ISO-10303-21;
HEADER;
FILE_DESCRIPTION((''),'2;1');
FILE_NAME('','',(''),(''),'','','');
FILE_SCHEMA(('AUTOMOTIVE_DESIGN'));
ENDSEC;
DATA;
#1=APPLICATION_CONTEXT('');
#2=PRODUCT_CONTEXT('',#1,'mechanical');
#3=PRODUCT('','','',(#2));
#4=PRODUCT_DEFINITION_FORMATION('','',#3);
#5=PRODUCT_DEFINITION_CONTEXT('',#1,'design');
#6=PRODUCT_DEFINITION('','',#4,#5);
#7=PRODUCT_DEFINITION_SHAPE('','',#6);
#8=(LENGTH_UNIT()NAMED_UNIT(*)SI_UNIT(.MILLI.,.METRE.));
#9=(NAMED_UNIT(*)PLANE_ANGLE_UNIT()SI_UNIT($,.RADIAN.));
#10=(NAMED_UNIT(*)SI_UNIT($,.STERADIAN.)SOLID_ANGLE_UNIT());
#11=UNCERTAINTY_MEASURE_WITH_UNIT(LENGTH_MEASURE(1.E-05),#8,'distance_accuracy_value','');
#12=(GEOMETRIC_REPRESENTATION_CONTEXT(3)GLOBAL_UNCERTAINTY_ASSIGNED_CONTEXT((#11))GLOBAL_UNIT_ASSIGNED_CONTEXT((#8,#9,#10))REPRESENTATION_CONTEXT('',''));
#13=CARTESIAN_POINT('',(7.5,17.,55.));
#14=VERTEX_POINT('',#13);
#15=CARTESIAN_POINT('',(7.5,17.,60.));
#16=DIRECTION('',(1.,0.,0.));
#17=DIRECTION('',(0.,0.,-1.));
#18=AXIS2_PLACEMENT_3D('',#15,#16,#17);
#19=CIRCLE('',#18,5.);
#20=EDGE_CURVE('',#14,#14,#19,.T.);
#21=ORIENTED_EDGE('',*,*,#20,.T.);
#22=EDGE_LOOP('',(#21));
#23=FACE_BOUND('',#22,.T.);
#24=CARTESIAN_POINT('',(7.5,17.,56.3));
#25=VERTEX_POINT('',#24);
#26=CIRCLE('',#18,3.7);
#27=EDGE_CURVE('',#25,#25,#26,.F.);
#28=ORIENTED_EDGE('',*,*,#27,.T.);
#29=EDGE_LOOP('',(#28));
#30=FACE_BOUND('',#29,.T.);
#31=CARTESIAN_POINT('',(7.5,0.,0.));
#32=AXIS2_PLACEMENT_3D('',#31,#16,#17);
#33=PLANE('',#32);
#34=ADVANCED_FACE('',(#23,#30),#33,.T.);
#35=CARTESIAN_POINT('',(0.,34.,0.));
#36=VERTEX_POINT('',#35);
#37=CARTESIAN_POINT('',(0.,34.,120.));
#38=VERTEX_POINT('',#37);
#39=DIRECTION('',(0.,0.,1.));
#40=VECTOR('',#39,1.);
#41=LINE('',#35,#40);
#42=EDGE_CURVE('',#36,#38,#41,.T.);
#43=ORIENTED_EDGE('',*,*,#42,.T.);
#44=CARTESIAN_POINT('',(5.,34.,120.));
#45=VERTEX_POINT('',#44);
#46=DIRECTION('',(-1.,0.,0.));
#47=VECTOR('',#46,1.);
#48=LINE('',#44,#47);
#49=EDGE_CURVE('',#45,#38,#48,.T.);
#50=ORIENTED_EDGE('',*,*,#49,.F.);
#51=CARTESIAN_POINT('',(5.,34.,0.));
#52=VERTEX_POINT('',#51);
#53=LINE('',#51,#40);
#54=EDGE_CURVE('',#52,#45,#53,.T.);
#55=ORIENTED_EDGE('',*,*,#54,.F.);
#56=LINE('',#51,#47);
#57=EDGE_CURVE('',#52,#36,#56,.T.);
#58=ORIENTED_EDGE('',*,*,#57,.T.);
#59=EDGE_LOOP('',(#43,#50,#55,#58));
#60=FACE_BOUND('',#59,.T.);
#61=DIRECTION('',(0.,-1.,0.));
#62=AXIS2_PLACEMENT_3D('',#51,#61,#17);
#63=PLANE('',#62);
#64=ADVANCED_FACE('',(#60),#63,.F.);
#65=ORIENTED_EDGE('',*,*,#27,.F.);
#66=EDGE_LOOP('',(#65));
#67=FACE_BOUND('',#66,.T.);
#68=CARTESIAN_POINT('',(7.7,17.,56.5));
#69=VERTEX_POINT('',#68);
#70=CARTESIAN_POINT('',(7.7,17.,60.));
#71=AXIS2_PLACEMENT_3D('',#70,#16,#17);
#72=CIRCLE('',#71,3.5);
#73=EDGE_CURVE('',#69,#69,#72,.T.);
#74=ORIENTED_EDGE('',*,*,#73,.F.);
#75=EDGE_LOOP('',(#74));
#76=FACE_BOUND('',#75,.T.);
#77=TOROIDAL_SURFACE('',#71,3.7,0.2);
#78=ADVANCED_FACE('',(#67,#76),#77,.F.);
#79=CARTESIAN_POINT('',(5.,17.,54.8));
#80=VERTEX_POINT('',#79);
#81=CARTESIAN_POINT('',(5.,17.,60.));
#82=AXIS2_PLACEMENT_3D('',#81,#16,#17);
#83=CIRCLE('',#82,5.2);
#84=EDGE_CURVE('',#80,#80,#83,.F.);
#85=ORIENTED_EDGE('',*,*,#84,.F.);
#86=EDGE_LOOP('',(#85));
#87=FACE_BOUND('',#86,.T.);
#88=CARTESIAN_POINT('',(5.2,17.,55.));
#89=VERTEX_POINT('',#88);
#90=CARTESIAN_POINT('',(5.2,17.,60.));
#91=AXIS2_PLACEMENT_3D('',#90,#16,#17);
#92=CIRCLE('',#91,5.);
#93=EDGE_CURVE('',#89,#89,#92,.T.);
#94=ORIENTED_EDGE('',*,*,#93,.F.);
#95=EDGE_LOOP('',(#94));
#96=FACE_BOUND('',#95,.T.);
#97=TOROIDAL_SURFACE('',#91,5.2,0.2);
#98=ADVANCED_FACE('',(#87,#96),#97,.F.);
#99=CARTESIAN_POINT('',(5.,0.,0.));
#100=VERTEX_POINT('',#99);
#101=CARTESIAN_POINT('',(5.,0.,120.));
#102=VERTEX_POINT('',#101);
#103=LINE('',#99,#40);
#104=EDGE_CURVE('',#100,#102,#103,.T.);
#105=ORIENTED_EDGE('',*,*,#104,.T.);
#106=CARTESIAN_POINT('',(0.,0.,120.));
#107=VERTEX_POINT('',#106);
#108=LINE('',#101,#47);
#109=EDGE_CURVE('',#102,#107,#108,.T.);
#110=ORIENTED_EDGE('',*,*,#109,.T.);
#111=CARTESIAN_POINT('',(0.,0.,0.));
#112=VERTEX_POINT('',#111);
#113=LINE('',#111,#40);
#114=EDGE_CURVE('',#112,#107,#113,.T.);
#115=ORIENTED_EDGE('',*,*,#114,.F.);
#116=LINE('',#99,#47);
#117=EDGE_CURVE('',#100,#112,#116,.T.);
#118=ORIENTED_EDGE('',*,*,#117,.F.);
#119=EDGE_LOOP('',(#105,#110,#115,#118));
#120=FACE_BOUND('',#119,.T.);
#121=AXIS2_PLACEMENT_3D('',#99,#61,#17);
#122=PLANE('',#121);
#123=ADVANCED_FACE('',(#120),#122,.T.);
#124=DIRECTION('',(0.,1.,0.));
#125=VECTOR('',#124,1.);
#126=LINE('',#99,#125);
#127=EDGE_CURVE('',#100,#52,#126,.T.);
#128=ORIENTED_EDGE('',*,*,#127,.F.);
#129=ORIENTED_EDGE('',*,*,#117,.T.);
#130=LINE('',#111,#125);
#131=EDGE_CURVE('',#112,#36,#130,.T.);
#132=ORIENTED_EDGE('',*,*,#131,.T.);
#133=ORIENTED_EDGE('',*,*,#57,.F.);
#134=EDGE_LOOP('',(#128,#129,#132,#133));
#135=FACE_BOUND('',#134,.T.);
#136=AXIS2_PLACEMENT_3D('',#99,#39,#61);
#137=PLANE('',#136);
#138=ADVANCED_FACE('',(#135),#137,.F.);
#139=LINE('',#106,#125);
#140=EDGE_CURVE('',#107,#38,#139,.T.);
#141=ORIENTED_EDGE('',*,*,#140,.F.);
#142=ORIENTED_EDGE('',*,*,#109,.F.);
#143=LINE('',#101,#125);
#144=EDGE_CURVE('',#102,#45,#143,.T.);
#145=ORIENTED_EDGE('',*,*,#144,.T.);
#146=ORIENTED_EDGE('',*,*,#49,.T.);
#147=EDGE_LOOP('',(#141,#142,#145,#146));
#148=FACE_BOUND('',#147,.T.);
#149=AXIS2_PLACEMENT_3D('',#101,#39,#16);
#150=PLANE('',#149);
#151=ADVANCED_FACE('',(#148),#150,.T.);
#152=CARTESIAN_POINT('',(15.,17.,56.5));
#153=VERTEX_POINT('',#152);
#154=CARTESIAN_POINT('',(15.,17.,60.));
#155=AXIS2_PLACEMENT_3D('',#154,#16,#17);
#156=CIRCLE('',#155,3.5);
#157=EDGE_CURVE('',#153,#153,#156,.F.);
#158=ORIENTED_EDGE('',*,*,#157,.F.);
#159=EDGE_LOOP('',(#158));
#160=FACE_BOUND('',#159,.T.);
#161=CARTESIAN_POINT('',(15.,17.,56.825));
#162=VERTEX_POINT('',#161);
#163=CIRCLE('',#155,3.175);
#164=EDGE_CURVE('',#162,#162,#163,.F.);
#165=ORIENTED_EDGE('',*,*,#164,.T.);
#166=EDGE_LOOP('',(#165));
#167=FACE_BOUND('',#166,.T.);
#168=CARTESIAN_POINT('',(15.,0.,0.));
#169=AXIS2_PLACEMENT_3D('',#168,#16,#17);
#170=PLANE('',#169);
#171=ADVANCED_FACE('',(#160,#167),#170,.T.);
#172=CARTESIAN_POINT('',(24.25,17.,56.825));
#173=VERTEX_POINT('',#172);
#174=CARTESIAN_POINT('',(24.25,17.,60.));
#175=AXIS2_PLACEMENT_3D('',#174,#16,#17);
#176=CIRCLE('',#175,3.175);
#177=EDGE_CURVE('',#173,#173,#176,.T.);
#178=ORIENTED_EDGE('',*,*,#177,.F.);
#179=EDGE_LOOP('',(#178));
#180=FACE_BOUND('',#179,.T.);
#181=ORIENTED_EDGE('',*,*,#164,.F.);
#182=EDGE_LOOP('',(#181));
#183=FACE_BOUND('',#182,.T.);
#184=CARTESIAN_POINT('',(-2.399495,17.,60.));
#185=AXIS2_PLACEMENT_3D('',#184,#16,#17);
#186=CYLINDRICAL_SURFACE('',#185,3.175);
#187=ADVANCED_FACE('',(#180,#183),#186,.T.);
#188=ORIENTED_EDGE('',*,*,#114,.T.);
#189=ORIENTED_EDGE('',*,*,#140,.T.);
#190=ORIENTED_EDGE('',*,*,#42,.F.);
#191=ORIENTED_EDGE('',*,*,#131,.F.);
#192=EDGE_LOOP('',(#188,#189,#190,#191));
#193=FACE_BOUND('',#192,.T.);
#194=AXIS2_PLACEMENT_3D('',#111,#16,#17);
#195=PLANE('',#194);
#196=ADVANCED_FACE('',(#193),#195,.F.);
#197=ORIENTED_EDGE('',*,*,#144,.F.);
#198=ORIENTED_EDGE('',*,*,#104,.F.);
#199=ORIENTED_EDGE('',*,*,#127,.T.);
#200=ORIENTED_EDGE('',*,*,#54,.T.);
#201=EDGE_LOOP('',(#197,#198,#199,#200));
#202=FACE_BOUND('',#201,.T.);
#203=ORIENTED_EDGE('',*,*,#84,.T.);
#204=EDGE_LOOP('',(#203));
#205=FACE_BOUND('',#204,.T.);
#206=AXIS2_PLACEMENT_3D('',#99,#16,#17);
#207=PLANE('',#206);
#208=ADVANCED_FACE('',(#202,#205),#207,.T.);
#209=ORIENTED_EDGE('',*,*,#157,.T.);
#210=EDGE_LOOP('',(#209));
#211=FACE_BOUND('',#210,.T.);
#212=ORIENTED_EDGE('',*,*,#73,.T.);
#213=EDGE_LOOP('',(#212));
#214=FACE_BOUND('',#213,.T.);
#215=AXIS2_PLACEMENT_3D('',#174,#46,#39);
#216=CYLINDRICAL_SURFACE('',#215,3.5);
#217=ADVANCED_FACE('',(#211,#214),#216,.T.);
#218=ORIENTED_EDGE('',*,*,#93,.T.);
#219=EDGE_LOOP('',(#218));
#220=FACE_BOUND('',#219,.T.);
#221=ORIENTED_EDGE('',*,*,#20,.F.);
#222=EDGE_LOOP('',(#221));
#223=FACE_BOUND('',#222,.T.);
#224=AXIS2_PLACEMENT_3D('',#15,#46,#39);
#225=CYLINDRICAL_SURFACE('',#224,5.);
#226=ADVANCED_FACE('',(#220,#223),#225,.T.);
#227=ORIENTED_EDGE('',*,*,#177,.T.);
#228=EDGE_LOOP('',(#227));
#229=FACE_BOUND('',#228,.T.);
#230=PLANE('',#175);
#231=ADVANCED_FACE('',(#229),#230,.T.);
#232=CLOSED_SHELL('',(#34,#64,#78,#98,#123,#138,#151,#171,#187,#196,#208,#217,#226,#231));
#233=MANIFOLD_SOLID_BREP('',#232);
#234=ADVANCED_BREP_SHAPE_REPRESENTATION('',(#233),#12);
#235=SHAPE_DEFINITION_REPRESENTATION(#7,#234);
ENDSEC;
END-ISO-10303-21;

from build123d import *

# Parameters (mm, degrees)
SKETCH1_W           = 120
SKETCH1_H           = 34
BOSS_EXTRUDE1_DEPTH = 5
BOSS_EXTRUDE2_DEPTH = 2.5
SKETCH3_R           = 3.5
BOSS_EXTRUDE3_DEPTH = 16.75
SKETCH4_R           = 3.5
SKETCH4_R_2         = 3.175
CUT_EXTRUDE1_DEPTH  = 9.25
FILLET1_R           = 0.2


with BuildPart() as part:
    # Sketch1 → Boss-Extrude1 (new body)
    with BuildSketch(Plane(origin=(0, 0, 0), x_dir=(0, 0, -1), z_dir=(1, 0, 0))):
        with Locations((-60, 17)):
            Rectangle(SKETCH1_W, SKETCH1_H)
    extrude(amount=BOSS_EXTRUDE1_DEPTH)

    # Sketch2 → Boss-Extrude2 (add)
    with BuildSketch(Plane(origin=(5, 0, 0), x_dir=(0, 0, -1), z_dir=(1, 0, 0))):
        with BuildLine():
            ThreePointArc((-55, 17), (-56.464466094, 20.535533906), (-60, 22))
            Line((-60, 22), (-60, 12))
            ThreePointArc((-60, 12), (-56.464466094, 13.464466094), (-55, 17))
        make_face()
        with BuildLine():
            Line((-60, 12), (-60, 22))
            ThreePointArc((-60, 22), (-65, 17), (-60, 12))
        make_face()
    extrude(amount=BOSS_EXTRUDE2_DEPTH)

    # Sketch3 → Boss-Extrude3 (add)
    with BuildSketch(Plane(origin=(7.5, 0, 0), x_dir=(0, 0, -1), z_dir=(1, 0, 0))):
        with Locations((-60, 17)):
            Circle(SKETCH3_R)
    extrude(amount=BOSS_EXTRUDE3_DEPTH)

    # Sketch4 → Cut-Extrude1 (cut)
    with BuildSketch(Plane(origin=(24.25, 0, 0), x_dir=(0, 0, -1), z_dir=(1, 0, 0))):
        with Locations((-60, 17)):
            Circle(SKETCH4_R)
        with Locations((-60, 17)):
            Circle(SKETCH4_R_2, mode=Mode.SUBTRACT)
    extrude(amount=-CUT_EXTRUDE1_DEPTH, mode=Mode.SUBTRACT)

    # Fillet1
    fillet1_edges = [part.edges().sort_by_distance(p)[0] for p in [
        (5, 12, 60),
        (7.5, 17, 63.5),
    ]]
    fillet(fillet1_edges, radius=FILLET1_R)


solid = part.part
